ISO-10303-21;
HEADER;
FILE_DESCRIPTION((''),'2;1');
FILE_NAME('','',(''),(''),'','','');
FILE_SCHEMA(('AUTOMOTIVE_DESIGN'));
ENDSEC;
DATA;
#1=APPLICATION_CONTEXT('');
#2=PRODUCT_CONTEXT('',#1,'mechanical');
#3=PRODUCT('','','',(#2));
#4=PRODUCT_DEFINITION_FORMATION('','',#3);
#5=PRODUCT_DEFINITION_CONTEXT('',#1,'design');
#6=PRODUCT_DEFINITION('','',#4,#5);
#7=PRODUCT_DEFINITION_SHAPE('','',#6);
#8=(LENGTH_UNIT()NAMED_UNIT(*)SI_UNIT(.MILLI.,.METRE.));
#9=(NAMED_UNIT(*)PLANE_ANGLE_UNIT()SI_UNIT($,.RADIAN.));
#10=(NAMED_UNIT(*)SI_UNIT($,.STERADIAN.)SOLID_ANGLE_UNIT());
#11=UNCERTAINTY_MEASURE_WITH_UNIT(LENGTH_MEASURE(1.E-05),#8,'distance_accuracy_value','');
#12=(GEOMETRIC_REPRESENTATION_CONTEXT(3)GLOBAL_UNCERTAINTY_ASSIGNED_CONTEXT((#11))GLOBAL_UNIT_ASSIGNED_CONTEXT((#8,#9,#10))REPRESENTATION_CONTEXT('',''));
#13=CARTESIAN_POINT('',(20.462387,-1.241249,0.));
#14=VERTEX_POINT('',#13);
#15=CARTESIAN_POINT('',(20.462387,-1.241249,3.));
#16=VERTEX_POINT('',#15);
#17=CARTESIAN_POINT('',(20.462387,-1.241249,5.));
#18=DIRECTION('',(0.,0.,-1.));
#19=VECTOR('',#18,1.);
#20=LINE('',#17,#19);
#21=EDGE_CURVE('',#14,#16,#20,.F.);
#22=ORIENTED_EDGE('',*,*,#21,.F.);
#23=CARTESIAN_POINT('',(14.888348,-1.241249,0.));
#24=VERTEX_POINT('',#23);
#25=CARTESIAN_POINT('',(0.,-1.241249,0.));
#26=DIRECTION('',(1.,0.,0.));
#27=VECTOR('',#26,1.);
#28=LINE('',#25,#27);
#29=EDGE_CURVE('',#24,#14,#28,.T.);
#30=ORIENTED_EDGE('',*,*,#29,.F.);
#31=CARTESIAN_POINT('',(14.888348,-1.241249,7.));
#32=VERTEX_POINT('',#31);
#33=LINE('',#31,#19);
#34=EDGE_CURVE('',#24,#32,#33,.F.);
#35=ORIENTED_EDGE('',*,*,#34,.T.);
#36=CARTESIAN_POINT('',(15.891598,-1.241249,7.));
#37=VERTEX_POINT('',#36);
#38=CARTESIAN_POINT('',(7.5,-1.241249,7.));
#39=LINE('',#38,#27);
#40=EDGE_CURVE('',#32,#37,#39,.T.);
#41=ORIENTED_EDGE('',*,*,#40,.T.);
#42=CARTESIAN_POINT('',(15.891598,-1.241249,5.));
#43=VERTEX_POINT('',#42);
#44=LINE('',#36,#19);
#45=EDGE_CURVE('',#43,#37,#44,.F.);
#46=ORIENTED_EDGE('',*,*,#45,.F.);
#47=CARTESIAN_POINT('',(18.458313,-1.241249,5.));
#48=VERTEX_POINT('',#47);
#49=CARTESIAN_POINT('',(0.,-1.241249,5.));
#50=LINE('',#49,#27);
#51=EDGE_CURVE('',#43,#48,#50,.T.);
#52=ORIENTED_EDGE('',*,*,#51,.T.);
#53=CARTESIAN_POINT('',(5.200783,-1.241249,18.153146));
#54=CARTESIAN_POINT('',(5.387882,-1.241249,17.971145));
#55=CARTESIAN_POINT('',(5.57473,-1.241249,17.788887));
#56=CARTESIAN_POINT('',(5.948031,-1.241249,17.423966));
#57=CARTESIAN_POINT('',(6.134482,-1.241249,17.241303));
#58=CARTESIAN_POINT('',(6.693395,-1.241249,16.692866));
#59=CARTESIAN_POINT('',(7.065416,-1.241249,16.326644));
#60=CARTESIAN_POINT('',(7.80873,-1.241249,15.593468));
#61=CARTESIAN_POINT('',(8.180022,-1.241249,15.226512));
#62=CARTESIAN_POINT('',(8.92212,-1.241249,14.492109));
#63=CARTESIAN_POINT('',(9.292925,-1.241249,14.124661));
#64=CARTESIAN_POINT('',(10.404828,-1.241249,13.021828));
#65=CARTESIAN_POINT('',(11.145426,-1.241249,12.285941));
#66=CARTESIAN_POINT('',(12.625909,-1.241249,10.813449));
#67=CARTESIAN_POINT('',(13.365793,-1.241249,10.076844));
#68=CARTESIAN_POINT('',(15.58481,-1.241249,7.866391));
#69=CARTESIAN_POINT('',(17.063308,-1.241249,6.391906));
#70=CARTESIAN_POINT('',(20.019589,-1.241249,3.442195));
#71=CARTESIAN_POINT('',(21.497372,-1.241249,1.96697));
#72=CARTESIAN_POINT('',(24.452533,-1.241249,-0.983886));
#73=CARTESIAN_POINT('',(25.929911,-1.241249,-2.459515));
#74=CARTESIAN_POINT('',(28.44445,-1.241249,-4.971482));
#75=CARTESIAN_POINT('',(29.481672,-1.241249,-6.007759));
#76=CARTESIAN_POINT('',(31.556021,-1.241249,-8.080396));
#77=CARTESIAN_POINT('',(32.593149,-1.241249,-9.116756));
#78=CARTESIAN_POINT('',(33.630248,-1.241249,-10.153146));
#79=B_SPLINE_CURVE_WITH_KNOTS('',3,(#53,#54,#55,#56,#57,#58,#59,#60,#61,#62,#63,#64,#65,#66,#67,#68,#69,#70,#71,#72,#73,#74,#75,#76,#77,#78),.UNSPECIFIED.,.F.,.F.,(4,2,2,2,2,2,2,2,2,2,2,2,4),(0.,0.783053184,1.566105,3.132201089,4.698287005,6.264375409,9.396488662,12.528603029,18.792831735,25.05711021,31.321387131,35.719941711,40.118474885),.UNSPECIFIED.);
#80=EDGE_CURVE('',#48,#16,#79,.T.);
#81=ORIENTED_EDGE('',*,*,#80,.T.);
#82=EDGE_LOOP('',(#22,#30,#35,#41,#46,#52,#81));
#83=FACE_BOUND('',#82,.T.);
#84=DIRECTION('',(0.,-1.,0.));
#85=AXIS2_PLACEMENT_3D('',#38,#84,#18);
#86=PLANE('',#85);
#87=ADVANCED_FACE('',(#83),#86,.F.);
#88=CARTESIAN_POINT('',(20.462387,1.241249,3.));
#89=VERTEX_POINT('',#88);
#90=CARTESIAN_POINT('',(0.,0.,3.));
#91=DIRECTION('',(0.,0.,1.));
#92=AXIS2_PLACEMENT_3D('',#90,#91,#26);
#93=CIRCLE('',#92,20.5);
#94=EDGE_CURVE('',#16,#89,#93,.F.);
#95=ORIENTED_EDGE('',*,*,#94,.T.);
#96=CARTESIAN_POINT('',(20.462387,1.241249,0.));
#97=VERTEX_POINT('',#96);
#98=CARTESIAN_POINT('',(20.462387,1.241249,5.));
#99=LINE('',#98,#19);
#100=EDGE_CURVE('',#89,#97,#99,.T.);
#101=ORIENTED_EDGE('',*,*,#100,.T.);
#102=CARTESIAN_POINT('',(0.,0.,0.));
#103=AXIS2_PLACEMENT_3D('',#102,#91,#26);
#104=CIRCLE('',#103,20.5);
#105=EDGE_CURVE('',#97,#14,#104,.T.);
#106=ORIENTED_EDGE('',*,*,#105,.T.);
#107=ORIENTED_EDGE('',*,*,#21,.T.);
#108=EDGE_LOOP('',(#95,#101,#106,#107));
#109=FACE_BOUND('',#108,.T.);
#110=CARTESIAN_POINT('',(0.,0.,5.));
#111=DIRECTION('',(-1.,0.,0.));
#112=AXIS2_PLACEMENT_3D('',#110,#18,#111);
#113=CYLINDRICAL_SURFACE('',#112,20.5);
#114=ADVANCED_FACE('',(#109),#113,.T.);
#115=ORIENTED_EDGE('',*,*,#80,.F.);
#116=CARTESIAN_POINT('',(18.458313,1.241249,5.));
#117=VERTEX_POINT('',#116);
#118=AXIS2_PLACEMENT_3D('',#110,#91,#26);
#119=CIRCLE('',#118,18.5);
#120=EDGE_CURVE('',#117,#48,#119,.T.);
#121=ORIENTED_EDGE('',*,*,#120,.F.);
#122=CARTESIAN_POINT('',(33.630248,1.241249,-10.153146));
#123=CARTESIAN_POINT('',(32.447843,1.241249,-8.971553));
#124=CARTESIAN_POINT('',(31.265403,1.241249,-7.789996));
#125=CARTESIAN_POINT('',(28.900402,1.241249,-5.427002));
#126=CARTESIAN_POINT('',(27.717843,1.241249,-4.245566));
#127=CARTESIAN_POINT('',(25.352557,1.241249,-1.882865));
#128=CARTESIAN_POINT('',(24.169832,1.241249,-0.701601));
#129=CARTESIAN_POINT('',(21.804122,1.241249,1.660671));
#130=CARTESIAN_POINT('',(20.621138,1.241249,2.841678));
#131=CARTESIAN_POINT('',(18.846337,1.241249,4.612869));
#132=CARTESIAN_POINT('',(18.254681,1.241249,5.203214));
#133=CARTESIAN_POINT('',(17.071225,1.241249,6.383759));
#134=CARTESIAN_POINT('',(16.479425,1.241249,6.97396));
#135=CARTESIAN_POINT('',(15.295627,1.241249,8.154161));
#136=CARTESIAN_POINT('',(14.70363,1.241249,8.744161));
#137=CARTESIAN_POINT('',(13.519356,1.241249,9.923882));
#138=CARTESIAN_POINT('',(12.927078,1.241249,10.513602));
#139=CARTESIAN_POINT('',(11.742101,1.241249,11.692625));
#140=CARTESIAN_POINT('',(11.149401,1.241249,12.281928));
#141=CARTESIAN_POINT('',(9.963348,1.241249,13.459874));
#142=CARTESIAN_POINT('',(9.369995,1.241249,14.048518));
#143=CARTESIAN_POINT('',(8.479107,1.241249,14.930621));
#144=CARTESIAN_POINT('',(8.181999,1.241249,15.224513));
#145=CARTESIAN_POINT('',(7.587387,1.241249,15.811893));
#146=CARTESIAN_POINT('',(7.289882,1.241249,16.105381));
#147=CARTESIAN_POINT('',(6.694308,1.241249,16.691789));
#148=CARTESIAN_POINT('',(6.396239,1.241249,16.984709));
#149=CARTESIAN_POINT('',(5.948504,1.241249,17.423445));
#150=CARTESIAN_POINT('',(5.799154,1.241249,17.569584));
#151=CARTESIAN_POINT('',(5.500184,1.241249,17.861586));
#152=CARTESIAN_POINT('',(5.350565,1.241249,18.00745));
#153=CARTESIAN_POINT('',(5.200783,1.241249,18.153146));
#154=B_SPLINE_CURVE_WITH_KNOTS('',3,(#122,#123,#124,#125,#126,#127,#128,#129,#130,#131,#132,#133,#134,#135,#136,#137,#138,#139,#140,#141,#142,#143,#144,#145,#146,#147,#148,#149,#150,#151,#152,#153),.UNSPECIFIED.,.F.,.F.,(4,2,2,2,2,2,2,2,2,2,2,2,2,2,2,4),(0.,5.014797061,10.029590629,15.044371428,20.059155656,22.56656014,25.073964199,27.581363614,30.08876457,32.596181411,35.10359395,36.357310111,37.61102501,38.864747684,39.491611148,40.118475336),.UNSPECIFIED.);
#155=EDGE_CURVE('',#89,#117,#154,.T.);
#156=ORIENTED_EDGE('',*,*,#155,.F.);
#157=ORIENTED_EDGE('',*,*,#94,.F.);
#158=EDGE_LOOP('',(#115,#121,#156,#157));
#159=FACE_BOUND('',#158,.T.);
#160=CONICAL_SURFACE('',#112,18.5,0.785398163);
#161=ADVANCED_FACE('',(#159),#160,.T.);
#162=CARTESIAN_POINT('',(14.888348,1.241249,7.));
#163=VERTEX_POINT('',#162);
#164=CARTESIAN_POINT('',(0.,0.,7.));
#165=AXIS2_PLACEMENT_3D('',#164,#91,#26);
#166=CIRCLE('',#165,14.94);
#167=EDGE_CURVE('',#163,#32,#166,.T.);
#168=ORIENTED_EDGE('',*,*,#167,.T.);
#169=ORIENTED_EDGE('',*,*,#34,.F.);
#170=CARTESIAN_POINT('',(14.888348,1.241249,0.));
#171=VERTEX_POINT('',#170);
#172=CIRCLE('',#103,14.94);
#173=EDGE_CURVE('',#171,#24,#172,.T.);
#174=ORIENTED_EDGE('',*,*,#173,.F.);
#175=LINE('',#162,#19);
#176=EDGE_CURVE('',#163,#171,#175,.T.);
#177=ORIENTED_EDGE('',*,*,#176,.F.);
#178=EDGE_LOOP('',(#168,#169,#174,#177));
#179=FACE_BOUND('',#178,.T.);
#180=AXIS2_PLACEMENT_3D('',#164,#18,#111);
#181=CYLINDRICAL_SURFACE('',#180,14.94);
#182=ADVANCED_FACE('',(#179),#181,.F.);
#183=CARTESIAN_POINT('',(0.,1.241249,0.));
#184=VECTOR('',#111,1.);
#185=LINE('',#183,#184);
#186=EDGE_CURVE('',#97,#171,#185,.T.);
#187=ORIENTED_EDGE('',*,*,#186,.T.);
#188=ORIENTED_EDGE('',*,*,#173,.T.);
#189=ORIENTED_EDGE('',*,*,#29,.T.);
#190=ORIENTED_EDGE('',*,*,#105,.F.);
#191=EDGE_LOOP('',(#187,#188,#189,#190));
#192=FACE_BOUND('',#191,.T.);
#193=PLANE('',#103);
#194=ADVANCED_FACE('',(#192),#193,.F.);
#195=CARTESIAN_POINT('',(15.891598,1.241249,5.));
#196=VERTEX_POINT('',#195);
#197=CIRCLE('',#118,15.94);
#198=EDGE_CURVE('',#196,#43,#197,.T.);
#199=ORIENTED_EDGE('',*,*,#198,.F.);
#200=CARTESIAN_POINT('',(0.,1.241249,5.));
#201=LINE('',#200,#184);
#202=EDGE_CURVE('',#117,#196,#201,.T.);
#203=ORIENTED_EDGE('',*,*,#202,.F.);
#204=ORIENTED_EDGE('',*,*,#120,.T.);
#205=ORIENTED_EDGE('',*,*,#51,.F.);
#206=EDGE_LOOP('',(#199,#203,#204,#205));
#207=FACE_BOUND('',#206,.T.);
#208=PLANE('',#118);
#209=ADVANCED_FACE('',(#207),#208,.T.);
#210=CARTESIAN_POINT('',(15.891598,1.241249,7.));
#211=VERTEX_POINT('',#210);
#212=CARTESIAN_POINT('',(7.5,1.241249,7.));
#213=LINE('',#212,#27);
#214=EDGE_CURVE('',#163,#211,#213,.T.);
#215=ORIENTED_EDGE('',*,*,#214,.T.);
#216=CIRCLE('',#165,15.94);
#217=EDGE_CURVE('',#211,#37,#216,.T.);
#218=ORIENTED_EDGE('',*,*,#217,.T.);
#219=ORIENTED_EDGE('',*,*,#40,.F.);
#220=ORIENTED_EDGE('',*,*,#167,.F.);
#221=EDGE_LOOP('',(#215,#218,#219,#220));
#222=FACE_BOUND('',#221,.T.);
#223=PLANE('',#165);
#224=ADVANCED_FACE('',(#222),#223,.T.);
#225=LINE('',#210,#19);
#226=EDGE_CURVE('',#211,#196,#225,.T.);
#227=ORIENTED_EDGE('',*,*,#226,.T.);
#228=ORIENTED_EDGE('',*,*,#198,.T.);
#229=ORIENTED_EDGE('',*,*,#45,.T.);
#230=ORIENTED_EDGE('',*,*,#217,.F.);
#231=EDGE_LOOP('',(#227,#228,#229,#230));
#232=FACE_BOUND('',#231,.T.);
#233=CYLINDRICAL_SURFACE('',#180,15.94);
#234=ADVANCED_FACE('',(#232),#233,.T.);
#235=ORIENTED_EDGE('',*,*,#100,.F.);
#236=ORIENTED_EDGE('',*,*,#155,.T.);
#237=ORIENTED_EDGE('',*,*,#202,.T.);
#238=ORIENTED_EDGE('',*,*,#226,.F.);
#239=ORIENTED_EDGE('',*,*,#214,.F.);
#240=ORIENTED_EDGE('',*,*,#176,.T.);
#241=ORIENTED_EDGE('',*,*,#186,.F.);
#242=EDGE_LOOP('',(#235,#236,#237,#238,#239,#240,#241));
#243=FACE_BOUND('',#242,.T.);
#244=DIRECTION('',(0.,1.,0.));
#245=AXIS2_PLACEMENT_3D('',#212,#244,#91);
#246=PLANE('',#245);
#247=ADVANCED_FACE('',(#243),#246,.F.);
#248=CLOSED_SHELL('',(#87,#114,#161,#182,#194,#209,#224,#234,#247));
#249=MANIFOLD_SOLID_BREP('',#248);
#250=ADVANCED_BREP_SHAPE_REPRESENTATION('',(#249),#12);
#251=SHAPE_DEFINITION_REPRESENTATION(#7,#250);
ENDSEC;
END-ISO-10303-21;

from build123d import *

# Parameters (mm, degrees)
SKETCH1_R           = 15.94
SKETCH1_R_2         = 14.94
BOSS_EXTRUDE1_DEPTH = 7
SKETCH1_3_R         = 20.5
SKETCH1_3_R_2       = 15.94
BOSS_EXTRUDE2_DEPTH = 5
CHAMFER1_SIZE       = 2
SKETCH2_W           = 8
SKETCH2_H           = 2.482498026
CUT_EXTRUDE1_DEPTH  = 13


with BuildPart() as part:
    # Sketch1 → Boss-Extrude1 (new body)
    with BuildSketch(Plane.XY):
        Circle(SKETCH1_R)
        Circle(SKETCH1_R_2, mode=Mode.SUBTRACT)
    extrude(amount=BOSS_EXTRUDE1_DEPTH)

    # Sketch1<3> → Boss-Extrude2 (add)
    with BuildSketch(Plane.XY):
        Circle(SKETCH1_3_R)
        Circle(SKETCH1_3_R_2, mode=Mode.SUBTRACT)
    extrude(amount=BOSS_EXTRUDE2_DEPTH)

    # Chamfer1
    chamfer1_edges = [part.edges().sort_by_distance(p)[0] for p in [
        (-20.5, 0, 5),
    ]]
    chamfer(chamfer1_edges, length=CHAMFER1_SIZE)

    # Sketch2 → Cut-Extrude1 (cut)
    with BuildSketch(Plane(origin=(20.5, 0, 0), x_dir=(0, 0, -1), z_dir=(1, 0, 0))):
        with Locations((-3, 0)):
            Rectangle(SKETCH2_W, SKETCH2_H)
    extrude(amount=-CUT_EXTRUDE1_DEPTH, mode=Mode.SUBTRACT)


solid = part.part
